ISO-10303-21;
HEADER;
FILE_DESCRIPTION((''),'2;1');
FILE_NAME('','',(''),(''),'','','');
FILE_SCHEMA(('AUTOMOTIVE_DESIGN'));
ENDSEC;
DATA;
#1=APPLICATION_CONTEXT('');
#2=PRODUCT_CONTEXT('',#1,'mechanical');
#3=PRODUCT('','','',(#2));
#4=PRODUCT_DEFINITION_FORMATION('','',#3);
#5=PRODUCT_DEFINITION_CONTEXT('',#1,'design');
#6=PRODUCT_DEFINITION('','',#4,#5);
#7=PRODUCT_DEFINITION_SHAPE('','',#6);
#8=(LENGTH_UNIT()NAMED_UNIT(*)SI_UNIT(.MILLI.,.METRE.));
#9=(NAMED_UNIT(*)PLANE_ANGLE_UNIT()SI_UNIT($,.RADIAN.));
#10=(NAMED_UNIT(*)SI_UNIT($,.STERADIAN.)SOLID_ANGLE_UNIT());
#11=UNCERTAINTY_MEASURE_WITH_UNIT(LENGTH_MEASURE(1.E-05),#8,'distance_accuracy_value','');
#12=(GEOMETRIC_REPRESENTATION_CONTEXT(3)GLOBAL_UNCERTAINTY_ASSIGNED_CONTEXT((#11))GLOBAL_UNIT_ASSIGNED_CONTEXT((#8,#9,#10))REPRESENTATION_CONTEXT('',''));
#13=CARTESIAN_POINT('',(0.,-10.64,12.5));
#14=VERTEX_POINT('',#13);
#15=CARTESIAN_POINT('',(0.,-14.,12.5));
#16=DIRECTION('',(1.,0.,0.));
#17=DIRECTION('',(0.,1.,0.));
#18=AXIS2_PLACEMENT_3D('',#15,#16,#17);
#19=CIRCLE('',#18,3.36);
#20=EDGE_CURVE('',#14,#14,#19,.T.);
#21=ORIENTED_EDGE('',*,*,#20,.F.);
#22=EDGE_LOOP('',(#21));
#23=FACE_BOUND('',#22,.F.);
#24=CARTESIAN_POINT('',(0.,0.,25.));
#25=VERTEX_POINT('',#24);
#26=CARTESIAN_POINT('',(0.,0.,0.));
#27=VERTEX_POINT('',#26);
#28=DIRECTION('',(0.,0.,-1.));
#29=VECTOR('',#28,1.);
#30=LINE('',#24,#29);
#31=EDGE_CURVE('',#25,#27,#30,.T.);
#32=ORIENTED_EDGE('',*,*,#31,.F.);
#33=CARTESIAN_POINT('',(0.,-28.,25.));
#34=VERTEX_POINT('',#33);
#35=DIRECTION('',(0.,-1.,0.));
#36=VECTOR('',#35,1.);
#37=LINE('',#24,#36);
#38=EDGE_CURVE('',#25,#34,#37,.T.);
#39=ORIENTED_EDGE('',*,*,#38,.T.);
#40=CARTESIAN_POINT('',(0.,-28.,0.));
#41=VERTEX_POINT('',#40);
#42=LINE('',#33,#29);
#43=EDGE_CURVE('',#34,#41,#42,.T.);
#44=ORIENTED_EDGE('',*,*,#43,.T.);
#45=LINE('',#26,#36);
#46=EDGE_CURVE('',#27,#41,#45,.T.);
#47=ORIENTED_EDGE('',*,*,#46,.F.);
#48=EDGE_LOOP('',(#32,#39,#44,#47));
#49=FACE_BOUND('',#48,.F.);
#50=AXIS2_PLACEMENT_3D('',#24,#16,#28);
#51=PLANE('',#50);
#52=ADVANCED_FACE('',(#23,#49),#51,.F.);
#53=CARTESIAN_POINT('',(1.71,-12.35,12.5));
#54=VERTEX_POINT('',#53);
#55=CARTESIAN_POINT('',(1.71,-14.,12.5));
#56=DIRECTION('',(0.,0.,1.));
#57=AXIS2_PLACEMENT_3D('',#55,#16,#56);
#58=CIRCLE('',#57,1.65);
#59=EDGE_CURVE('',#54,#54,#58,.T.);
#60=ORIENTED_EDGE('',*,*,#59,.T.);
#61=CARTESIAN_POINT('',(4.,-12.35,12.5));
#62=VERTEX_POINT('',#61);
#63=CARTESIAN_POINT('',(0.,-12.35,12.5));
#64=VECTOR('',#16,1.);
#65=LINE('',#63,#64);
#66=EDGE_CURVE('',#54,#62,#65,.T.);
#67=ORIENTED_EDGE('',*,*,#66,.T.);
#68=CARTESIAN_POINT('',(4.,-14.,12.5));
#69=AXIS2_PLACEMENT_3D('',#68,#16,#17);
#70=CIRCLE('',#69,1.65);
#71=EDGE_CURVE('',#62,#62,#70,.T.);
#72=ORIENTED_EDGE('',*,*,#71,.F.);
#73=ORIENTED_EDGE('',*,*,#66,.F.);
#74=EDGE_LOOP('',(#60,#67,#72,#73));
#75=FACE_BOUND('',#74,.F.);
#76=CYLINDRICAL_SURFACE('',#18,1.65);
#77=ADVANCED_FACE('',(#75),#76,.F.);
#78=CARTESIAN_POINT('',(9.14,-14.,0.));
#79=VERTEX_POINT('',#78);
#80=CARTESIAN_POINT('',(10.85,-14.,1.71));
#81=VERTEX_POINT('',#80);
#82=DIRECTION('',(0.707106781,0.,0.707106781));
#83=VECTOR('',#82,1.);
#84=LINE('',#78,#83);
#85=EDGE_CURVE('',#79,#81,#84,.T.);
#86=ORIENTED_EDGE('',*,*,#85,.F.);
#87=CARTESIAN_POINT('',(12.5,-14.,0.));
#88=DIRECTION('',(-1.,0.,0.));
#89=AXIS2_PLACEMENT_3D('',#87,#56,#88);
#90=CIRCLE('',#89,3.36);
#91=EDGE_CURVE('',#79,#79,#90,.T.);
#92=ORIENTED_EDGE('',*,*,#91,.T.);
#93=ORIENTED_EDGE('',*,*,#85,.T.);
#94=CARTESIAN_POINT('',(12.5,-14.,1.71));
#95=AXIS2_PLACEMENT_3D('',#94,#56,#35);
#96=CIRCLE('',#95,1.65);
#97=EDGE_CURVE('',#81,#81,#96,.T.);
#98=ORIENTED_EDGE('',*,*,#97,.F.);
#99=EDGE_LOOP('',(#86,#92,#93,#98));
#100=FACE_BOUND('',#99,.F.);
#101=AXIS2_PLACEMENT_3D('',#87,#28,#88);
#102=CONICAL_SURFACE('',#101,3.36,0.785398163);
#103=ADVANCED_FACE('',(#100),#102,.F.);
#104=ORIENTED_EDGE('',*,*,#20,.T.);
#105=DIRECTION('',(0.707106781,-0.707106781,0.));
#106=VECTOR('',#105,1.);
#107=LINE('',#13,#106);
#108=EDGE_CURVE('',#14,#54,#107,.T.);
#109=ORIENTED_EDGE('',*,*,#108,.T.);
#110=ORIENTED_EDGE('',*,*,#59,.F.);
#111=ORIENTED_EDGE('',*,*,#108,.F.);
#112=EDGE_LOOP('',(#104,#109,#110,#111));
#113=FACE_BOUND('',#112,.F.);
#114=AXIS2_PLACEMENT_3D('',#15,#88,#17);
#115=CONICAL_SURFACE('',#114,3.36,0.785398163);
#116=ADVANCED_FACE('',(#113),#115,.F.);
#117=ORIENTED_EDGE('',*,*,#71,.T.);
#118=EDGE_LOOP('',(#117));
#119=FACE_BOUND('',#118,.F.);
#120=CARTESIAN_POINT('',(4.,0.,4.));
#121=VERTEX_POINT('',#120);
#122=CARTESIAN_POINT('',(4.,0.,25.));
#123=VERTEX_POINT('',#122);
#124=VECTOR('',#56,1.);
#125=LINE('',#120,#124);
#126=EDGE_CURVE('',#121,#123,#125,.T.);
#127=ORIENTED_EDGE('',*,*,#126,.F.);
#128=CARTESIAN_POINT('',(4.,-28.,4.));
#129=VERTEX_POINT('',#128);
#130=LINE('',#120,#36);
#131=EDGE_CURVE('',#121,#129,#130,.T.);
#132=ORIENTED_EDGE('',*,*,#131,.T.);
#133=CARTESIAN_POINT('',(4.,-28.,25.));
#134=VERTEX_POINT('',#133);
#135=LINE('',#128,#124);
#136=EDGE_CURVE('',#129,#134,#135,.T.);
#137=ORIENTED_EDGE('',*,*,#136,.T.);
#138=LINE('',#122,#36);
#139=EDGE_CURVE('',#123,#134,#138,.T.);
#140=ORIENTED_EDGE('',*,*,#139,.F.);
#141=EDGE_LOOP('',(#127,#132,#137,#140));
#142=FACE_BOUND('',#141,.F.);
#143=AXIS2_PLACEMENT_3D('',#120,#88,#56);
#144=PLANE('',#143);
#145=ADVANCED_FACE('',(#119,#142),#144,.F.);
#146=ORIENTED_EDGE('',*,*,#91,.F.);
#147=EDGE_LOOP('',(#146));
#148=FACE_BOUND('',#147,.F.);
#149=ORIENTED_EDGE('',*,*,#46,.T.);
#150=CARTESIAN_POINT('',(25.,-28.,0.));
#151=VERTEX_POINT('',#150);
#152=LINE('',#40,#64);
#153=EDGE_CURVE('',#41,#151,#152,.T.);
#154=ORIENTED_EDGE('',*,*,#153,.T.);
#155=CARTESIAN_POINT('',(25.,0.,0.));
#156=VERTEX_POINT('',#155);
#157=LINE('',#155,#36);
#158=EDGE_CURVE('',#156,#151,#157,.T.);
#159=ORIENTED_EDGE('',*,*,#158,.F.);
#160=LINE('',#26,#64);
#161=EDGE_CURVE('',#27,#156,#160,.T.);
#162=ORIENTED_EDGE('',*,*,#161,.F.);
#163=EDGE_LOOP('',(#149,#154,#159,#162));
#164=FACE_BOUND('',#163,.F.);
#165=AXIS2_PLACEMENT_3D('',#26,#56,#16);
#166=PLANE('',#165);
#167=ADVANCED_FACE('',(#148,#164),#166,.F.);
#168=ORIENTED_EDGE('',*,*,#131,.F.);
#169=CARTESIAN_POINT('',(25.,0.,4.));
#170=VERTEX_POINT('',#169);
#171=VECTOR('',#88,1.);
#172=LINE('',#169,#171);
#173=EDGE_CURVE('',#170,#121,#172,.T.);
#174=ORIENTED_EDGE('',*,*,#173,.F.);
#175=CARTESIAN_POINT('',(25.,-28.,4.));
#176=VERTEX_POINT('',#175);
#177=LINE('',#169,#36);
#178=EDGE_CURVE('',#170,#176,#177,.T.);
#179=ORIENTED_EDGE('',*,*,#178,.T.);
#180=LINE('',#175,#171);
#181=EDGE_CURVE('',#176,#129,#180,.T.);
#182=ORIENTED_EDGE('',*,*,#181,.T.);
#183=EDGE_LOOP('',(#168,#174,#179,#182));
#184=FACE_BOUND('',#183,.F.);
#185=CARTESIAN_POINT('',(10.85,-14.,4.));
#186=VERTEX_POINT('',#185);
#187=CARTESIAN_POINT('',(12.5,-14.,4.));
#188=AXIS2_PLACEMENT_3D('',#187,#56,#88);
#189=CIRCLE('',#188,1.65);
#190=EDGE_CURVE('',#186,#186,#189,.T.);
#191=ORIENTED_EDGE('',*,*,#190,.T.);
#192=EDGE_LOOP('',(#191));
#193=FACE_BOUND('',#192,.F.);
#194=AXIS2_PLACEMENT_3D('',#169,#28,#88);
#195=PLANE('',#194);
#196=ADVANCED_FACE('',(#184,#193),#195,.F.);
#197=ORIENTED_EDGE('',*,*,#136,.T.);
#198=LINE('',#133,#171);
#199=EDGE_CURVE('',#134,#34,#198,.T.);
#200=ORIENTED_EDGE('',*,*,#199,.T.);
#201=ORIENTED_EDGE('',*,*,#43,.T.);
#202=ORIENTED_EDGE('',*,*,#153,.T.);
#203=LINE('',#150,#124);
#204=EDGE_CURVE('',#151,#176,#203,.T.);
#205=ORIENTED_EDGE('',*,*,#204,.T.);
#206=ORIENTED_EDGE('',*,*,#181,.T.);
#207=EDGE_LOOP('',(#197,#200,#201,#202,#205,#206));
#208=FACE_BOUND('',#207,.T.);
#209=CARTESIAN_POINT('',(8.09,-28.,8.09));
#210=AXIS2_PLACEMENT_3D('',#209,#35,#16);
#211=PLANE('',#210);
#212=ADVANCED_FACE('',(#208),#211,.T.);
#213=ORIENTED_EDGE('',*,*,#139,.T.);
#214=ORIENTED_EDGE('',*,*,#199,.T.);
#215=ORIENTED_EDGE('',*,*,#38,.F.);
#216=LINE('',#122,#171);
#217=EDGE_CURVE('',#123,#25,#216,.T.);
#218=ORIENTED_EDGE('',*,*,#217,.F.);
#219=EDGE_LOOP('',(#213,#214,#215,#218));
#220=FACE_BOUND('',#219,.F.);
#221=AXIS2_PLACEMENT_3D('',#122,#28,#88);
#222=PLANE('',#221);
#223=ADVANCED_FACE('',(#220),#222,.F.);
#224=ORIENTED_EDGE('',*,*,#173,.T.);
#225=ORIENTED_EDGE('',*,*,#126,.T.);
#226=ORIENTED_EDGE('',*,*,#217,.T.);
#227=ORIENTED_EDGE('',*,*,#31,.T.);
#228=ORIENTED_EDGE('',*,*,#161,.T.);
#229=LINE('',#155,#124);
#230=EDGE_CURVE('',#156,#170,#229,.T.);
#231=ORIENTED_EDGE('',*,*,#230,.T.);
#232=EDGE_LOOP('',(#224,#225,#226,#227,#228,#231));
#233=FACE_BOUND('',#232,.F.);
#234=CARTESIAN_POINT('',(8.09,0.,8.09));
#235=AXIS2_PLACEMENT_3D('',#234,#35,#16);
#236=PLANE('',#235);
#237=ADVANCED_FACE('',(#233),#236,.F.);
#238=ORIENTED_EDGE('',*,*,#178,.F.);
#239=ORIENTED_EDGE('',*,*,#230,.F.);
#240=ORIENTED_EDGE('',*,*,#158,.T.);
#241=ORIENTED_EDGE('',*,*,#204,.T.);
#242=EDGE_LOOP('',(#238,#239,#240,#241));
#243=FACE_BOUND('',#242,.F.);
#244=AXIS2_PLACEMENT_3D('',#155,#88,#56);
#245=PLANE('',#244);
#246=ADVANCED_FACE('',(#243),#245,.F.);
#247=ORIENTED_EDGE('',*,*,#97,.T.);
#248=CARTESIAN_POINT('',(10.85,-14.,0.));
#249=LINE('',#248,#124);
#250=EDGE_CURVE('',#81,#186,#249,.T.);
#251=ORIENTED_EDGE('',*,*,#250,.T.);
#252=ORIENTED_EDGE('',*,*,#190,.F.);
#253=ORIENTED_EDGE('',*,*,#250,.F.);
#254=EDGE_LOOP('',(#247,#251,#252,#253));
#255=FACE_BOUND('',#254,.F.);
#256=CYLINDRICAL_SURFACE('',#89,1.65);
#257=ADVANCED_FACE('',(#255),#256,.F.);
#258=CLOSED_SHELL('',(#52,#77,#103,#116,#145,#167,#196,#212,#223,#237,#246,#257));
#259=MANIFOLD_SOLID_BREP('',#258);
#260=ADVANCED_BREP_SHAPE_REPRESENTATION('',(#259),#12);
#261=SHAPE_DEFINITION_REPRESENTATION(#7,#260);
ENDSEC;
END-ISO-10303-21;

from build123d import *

# Parameters (mm, degrees)
F1_DEPTH       = 28
F3_D           = 3.3
F3_DEPTH       = 40
F3_CSINK_D     = 6.72
F3_CSINK_ANGLE = 90
F3_TIP         = 0.9914200214
F5_D           = 3.3
F5_DEPTH       = 40
F5_CSINK_D     = 6.72
F5_CSINK_ANGLE = 90
F5_TIP         = 0.9914200214


with BuildPart() as f1:
    # F0 (on Front) → F1 (new body)
    with BuildSketch(Plane.XZ):
        Polygon((0, 4), (0, 0), (4, 0), (25, 0), (25, 4), (4, 4), (4, 25), (0, 25), align=None)
    extrude(amount=F1_DEPTH)

    # F3
    with Locations(Plane(origin=(0, 0, 0), x_dir=(0, -1, 0), z_dir=(-1, 0, 0))):
        with Locations((14, 12.5)):
            CounterSinkHole(F3_D / 2, F3_CSINK_D / 2, depth=F3_DEPTH, counter_sink_angle=F3_CSINK_ANGLE)
            with Locations((0, 0, -(F3_DEPTH + F3_TIP / 2))):  # 118° drill point
                Cone(0, F3_D / 2, F3_TIP, mode=Mode.SUBTRACT)

    # F5
    with Locations(Plane(origin=(0, 0, 0), x_dir=(1, 0, 0), z_dir=(0, 0, -1))):
        with Locations((12.5, 14)):
            CounterSinkHole(F5_D / 2, F5_CSINK_D / 2, depth=F5_DEPTH, counter_sink_angle=F5_CSINK_ANGLE)
            with Locations((0, 0, -(F5_DEPTH + F5_TIP / 2))):  # 118° drill point
                Cone(0, F5_D / 2, F5_TIP, mode=Mode.SUBTRACT)


solid = f1.part
